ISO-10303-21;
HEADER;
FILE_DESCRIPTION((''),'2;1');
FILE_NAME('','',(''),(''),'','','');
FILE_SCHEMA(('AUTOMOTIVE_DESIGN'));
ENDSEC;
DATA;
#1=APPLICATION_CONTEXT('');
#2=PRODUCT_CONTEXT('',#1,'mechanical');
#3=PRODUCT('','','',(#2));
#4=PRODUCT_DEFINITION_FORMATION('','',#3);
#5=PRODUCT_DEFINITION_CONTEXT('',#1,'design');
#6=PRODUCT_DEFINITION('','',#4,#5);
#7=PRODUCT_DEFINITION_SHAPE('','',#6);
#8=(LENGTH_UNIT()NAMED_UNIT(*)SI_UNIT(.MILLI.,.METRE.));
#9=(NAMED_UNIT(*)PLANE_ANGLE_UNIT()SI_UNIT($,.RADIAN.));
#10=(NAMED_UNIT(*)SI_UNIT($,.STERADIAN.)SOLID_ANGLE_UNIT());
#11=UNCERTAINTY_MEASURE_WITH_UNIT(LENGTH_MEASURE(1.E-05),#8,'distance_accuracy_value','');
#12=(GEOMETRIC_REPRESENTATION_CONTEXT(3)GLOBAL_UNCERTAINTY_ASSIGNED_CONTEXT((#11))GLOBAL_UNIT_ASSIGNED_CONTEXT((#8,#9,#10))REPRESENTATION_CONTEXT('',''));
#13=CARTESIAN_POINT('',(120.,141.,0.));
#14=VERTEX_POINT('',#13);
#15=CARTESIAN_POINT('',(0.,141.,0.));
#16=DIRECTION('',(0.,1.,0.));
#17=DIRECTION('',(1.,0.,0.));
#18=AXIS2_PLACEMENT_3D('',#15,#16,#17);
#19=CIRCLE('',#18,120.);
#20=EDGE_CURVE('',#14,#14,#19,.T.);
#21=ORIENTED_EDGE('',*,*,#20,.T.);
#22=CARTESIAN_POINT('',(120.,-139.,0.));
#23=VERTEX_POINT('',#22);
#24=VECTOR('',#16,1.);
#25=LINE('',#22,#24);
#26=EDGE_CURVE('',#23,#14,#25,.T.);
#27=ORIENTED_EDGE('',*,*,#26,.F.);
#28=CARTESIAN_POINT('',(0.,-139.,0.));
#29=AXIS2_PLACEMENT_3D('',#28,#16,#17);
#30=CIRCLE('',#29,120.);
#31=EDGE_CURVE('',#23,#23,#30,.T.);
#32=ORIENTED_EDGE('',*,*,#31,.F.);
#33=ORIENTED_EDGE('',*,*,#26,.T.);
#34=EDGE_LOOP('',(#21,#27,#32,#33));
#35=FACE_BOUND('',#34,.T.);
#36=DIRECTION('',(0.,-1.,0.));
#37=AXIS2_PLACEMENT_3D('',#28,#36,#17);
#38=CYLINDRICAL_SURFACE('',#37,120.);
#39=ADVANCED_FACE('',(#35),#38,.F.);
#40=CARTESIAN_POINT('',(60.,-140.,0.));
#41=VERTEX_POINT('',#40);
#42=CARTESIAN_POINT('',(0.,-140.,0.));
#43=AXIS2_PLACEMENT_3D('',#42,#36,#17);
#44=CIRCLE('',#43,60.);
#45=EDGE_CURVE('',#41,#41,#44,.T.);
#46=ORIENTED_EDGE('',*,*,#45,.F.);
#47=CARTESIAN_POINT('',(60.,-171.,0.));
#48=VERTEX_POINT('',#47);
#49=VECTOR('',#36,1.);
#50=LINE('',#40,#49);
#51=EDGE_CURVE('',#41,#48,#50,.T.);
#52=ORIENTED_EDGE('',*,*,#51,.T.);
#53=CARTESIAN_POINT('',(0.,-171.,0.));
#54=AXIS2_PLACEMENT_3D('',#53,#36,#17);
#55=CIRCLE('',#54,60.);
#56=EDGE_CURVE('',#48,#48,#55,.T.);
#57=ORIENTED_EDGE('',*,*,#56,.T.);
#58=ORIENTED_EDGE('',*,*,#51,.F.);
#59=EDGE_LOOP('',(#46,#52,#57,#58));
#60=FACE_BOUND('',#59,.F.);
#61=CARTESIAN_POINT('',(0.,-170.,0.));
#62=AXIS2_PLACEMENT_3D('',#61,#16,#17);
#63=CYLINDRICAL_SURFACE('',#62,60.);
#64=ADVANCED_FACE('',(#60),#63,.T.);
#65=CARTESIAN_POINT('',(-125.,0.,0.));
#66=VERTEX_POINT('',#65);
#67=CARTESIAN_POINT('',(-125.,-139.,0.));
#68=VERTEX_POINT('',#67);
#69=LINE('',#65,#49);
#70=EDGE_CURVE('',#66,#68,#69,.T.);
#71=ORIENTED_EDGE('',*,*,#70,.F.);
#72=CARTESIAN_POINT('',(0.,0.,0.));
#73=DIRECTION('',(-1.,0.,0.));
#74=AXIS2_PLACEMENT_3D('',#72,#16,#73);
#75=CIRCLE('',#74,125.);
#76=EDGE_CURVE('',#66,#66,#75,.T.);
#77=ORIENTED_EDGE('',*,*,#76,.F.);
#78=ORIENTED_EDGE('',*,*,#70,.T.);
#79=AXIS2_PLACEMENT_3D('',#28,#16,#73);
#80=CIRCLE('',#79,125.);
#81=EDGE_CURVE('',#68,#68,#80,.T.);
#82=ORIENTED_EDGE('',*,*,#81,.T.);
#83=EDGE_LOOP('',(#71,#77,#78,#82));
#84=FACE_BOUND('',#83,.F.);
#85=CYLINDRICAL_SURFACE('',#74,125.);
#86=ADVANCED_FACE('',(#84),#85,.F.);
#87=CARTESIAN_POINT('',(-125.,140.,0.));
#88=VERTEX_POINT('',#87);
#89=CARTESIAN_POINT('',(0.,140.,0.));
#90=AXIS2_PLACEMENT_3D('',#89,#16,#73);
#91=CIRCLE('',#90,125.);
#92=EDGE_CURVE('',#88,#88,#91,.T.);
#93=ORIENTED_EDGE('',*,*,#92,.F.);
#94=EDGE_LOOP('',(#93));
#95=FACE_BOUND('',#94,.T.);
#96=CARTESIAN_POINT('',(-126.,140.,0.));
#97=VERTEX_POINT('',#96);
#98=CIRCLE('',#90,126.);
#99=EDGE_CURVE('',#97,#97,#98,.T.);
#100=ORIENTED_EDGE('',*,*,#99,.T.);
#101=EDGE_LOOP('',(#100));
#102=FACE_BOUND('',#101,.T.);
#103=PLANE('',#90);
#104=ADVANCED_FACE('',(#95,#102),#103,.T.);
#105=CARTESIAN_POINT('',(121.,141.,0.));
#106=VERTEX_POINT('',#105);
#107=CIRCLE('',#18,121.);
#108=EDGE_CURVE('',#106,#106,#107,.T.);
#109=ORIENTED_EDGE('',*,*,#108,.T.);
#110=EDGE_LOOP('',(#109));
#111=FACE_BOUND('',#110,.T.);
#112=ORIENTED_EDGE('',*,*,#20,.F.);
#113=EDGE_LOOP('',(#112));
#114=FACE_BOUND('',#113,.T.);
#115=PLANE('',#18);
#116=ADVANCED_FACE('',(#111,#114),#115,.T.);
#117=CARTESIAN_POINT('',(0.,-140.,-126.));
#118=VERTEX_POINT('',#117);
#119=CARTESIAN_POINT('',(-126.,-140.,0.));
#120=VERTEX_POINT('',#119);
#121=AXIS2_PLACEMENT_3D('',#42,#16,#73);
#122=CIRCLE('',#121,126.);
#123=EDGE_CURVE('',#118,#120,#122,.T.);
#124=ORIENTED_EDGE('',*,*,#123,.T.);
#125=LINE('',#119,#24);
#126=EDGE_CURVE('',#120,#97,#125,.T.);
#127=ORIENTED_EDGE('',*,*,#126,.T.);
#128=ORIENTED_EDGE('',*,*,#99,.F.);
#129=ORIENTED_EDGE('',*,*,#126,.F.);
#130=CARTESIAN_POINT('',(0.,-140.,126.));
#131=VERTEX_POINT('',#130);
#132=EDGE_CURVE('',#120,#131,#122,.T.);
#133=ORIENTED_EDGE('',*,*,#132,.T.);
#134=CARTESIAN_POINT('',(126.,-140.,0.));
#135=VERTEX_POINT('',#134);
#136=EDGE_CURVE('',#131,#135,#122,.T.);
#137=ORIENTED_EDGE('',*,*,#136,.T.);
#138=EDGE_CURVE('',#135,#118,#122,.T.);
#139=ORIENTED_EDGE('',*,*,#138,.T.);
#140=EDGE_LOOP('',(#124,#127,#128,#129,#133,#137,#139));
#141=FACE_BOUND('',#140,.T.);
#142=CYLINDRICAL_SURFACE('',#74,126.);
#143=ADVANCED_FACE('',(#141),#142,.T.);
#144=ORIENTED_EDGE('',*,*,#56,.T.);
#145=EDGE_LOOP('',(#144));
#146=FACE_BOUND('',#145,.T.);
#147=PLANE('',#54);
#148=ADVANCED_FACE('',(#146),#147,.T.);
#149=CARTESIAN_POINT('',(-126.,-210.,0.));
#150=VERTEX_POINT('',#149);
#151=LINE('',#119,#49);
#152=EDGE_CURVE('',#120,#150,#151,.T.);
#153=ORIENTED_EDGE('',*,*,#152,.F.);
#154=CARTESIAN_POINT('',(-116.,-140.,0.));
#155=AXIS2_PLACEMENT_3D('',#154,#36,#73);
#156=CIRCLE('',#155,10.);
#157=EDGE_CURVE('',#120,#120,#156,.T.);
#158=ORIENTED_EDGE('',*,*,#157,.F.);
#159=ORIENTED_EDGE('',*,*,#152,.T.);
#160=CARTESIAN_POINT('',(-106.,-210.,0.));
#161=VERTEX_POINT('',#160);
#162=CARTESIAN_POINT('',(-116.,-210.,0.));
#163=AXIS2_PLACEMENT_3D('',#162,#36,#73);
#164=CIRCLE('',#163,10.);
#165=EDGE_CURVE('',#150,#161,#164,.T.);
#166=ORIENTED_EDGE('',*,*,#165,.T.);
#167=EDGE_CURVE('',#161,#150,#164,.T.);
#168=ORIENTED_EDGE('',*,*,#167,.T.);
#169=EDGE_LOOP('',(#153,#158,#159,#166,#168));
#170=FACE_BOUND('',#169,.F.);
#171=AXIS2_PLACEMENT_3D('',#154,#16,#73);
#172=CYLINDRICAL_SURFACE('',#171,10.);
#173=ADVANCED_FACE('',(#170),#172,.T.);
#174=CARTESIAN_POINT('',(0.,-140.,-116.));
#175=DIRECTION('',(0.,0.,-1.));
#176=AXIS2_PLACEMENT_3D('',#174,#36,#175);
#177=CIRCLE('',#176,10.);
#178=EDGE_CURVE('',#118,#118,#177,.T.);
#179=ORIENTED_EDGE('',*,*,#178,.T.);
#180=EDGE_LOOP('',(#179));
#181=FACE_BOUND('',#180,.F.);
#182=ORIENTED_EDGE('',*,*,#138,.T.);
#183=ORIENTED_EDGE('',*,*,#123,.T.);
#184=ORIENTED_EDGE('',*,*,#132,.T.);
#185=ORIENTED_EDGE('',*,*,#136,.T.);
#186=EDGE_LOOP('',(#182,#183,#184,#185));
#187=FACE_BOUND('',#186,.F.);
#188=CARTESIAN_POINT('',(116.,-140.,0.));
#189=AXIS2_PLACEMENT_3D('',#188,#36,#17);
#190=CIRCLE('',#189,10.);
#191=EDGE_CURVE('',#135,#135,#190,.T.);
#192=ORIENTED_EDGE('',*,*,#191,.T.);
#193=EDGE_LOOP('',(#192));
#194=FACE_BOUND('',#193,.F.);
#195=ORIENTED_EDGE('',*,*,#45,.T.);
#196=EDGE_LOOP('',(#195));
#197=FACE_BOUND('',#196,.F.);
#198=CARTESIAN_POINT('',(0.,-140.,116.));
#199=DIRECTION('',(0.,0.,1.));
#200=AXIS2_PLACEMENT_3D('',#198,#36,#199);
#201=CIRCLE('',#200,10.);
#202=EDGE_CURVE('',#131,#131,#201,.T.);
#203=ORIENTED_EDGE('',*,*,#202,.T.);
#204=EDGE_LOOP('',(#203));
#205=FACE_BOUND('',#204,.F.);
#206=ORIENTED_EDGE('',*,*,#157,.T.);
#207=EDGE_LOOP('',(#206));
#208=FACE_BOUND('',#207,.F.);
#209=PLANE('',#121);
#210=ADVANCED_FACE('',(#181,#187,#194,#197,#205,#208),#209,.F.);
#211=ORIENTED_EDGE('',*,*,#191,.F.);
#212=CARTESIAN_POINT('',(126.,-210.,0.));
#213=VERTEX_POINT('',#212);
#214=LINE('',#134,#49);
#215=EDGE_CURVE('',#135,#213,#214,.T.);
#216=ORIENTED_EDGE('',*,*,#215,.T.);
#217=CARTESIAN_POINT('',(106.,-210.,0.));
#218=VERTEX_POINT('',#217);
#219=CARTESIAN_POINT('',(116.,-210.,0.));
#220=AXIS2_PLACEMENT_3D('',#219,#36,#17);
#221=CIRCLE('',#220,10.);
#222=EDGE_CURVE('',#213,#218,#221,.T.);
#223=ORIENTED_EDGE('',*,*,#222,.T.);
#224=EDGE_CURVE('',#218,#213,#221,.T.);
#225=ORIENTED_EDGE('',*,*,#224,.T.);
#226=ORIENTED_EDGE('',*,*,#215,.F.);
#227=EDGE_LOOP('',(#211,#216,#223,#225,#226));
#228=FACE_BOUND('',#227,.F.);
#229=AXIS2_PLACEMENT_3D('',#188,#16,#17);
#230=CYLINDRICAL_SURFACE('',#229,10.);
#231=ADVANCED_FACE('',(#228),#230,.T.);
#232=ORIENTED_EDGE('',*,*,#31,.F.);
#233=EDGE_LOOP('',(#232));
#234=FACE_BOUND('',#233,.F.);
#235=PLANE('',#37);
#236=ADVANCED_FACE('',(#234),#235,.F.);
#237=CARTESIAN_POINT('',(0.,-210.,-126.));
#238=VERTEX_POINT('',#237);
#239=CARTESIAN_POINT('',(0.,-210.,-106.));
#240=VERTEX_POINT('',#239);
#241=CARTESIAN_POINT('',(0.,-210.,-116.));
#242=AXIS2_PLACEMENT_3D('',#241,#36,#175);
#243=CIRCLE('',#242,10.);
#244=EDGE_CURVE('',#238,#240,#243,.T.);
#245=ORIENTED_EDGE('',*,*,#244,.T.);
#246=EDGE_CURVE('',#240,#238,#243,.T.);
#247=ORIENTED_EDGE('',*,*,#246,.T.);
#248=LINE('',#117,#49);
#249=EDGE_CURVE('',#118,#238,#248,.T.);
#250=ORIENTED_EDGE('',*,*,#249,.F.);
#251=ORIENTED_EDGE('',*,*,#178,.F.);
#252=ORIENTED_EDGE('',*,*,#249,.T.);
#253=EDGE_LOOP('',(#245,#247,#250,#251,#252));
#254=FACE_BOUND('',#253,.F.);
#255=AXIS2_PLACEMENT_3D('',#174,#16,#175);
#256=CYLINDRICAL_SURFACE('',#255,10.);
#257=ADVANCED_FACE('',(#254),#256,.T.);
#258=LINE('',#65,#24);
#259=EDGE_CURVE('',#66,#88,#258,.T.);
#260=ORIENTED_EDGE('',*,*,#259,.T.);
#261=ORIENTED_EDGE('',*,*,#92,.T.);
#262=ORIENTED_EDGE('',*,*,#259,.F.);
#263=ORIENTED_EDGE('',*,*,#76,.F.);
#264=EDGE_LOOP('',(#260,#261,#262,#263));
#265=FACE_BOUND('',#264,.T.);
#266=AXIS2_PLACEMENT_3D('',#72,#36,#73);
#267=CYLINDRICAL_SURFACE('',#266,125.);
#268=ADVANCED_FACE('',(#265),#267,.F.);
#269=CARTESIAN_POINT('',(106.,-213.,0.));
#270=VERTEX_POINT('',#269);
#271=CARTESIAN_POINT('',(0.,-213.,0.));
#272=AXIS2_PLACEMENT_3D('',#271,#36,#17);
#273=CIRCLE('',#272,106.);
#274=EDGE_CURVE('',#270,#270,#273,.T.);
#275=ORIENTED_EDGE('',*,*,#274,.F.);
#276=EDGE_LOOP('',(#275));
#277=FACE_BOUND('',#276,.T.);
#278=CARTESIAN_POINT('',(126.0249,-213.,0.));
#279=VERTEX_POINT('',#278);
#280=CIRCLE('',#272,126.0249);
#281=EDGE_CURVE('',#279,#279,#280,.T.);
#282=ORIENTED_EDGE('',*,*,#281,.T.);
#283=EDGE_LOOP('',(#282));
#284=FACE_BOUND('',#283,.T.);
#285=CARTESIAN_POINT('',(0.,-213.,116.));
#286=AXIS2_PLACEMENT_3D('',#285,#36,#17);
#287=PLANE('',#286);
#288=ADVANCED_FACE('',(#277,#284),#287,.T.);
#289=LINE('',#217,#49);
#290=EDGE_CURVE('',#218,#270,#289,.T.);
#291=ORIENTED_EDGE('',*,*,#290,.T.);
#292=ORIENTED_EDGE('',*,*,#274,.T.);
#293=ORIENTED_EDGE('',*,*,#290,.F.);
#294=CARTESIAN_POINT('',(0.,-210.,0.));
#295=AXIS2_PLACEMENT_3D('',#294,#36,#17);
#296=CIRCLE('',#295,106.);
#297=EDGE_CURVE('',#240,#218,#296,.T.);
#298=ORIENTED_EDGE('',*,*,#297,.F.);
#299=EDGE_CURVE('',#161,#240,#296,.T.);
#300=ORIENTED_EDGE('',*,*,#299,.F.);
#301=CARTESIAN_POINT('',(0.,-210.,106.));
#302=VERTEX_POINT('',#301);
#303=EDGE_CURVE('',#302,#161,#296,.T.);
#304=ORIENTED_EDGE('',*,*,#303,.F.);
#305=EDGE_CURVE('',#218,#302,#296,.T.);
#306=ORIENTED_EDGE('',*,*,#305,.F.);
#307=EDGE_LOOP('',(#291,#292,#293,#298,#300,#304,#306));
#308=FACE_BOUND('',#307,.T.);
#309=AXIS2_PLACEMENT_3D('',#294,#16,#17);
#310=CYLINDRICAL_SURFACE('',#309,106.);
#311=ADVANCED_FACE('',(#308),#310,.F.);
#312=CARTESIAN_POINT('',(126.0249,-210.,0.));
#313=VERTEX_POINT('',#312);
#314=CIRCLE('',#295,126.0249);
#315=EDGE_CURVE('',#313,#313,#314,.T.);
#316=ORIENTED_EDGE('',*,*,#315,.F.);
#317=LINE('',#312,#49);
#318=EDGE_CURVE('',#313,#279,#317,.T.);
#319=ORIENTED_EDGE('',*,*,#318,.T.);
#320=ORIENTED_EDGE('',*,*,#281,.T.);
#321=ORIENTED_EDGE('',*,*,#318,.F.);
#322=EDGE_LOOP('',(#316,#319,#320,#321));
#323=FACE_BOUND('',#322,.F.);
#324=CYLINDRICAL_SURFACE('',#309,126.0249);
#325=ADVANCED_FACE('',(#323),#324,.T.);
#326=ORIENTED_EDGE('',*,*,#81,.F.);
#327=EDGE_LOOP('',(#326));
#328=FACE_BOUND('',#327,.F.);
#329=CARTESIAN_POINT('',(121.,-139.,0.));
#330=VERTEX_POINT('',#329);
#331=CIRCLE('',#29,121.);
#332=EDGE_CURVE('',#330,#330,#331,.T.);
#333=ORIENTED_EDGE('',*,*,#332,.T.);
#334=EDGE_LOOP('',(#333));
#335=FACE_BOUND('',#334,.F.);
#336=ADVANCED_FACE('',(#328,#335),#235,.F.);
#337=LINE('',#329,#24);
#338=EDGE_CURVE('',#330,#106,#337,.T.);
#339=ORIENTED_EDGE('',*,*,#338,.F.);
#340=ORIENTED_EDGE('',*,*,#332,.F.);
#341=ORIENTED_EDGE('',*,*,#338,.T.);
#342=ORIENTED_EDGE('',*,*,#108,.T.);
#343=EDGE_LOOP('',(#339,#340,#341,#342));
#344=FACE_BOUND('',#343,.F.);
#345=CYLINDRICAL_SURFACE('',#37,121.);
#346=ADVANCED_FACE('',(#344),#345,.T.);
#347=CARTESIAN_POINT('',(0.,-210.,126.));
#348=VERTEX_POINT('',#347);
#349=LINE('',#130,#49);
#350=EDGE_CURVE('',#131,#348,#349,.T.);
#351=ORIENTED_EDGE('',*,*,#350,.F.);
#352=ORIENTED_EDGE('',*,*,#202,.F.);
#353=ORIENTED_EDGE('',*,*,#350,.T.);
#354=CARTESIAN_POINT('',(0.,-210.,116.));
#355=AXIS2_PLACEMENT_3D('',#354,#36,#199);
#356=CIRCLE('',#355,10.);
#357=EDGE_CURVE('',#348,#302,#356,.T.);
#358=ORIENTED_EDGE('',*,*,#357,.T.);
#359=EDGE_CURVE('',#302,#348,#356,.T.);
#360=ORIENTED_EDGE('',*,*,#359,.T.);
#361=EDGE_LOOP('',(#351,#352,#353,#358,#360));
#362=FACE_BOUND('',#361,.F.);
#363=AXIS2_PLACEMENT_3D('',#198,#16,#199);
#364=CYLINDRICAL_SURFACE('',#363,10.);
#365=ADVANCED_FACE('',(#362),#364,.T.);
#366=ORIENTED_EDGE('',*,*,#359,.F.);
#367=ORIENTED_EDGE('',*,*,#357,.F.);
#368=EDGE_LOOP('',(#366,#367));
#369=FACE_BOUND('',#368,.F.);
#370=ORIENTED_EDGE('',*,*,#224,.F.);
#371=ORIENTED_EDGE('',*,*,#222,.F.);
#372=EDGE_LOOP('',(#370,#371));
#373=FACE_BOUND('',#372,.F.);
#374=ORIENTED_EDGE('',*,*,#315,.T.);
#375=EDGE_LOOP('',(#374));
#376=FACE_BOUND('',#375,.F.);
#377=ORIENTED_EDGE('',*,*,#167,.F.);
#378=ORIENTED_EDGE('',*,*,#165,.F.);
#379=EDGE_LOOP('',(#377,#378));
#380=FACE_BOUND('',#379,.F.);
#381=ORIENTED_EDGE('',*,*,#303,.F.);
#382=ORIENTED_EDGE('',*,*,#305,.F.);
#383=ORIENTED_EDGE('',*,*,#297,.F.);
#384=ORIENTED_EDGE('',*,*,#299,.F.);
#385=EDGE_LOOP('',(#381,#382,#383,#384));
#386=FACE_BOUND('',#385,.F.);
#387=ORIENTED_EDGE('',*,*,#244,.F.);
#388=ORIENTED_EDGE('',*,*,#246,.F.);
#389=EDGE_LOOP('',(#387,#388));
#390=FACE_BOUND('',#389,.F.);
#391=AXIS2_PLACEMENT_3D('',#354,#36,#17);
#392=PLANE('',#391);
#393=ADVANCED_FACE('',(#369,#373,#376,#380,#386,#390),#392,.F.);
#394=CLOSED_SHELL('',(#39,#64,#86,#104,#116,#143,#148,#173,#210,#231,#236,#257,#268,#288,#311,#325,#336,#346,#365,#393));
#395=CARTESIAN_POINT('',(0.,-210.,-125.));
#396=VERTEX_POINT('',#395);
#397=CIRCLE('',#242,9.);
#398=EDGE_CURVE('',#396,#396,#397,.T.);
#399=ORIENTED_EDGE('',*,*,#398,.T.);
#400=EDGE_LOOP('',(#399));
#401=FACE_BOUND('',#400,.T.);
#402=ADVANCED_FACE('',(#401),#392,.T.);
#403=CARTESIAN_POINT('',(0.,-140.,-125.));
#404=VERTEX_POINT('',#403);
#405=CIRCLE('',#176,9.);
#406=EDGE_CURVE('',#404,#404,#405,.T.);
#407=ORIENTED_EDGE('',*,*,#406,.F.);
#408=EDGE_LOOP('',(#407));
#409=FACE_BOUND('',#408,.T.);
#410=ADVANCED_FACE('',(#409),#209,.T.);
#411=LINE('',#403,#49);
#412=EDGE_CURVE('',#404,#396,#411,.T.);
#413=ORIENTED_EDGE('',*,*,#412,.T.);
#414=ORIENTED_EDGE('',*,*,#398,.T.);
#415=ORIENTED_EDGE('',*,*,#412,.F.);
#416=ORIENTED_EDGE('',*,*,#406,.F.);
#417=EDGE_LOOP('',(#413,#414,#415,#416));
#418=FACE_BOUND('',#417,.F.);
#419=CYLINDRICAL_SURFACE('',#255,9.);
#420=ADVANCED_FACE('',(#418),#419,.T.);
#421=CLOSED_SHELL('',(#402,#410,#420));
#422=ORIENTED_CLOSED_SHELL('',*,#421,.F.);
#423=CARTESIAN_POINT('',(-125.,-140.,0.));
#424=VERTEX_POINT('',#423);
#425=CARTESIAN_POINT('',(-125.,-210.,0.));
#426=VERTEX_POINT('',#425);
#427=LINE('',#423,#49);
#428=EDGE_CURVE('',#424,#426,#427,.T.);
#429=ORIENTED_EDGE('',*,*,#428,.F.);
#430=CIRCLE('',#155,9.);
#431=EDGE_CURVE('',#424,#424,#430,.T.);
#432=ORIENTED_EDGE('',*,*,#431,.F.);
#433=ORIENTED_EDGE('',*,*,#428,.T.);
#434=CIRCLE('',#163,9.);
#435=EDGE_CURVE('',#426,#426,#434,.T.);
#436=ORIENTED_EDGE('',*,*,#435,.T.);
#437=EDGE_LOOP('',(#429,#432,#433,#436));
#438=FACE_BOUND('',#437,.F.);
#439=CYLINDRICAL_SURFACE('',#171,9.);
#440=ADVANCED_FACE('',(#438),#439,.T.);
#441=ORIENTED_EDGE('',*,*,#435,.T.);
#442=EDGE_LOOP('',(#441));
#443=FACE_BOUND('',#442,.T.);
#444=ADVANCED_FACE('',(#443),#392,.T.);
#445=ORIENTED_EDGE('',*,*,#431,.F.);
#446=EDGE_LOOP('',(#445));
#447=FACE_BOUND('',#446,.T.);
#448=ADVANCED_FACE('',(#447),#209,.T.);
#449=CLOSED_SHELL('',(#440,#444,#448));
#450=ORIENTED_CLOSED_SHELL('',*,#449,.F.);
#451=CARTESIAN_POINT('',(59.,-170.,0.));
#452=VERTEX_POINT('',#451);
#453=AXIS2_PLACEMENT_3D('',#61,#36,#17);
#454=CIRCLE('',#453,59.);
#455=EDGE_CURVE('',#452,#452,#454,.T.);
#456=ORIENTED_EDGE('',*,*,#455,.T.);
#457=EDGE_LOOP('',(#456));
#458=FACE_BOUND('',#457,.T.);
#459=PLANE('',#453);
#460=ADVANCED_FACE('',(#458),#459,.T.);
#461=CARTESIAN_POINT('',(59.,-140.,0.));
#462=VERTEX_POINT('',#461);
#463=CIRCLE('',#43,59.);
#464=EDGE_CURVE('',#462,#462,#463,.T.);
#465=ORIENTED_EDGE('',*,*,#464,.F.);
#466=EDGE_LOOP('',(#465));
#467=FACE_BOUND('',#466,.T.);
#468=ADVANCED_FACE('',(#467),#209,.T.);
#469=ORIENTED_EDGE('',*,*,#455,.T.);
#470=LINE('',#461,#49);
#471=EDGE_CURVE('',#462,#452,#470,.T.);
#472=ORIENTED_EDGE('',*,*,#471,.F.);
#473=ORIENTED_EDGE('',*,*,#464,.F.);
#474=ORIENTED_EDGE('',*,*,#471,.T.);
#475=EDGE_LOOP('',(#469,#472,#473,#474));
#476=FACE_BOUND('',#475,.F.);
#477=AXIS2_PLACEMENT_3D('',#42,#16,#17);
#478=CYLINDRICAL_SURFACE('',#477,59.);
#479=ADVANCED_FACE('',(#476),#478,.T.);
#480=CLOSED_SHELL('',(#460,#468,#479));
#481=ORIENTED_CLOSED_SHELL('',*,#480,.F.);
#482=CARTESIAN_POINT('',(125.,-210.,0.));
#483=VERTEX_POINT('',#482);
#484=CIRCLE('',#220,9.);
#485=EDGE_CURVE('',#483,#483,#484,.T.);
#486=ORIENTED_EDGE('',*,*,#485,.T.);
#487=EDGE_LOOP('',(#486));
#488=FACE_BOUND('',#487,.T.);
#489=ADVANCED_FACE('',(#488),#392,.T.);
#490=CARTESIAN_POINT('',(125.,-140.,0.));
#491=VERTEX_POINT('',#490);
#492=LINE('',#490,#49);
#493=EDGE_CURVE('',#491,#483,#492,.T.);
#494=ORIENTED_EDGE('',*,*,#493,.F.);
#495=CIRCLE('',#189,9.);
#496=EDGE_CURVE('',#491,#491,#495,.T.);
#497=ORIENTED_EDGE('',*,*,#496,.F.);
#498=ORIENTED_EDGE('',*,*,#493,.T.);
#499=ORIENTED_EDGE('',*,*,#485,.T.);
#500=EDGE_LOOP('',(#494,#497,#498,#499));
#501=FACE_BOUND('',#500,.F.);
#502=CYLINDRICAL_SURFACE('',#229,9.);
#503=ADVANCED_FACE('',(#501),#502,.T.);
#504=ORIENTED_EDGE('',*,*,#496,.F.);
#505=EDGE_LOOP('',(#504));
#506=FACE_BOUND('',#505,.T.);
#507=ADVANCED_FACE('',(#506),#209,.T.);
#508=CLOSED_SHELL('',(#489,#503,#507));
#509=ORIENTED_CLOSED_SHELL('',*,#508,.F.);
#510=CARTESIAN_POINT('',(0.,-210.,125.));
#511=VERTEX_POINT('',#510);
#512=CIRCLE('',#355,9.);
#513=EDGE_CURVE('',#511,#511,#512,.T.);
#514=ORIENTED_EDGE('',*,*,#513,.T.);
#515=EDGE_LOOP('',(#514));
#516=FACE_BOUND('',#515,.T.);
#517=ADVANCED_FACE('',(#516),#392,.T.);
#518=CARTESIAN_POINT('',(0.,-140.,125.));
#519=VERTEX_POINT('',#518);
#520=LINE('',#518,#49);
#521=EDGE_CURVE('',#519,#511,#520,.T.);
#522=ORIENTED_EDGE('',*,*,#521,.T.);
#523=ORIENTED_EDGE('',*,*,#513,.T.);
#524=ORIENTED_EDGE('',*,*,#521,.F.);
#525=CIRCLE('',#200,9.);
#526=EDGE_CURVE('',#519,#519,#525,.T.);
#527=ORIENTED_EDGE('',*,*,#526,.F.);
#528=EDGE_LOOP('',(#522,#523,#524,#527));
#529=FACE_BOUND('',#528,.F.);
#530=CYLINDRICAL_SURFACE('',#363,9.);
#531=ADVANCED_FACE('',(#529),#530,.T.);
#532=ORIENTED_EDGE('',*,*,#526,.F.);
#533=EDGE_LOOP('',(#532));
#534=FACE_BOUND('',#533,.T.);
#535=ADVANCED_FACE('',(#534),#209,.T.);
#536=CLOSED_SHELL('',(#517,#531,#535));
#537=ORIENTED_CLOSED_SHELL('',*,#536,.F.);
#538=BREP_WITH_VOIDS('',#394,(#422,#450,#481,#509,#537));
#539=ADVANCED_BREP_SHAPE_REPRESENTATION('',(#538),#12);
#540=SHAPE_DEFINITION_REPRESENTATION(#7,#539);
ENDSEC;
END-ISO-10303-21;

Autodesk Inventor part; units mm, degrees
ref_plane "YZ Plane" through (0, 0, 0) normal (1, 0, 0) x (0, 1, 0)
ref_plane "XZ Plane" through (0, 0, 0) normal (0, 1, 0) x (-1, 0, 0)
ref_plane "XY Plane" through (0, 0, 0) normal (0, 0, 1) x (1, 0, 0)
sketch "Sketch1" plane through (0, 0, 0) normal (0, 1, 0) x (-1, 0, 0)
  circle A0 centre (0, 0) radius 125
  circle A1 centre (0, 0) radius 126
  dimension "d0" = 250
  dimension "d1" = 252
extrude "Extrusion1" add sketch "Sketch1" along normal mid plane 280
sketch "Sketch3" plane through (0, -140, 0) normal (0, -1, 0) x (1, 0, 0)
  circle A0 centre (0, 0) radius 126
  dimension "d32" = 252
extrude "Extrusion3" add sketch "Sketch3" against normal blind 1
sketch "Sketch8" plane through (0, -140, 0) normal (0, -1, 0) x (1, 0, 0)
  circle A0 centre (0, 0) radius 60
  circle A1 centre (0, 0) radius 59
  dimension "d18" = 120
  dimension "d43" = 118
extrude "Extrusion8" add sketch "Sketch8" along normal blind 30
sketch "Sketch9" plane through (0, -140, 0) normal (0, -1, 0) x (1, 0, 0)
  point P0 (0, 0)
sketch "Sketch10" plane through (0, -140, 0) normal (0, -1, 0) x (1, 0, 0)
  circle A0 centre (116, 0) radius 10
  circle A1 centre (0, 0) radius 126 projected
  circle A2 centre (116, 0) radius 9
  dimension "d35" = 20
  dimension "d42" = 18
extrude "Extrusion9" add sketch "Sketch10" along normal blind 70 contours A0
pattern_circular "Circular Pattern1" count 4 over 360 about axis through (0, -10, 0) along (0, 1, 0) of "Extrusion9", "Extrusion3"
sketch "Sketch12" plane through (0, -139, 0) normal (0, 1, 0) x (1, 0, 0)
  circle A0 centre (0, 0) radius 120
  circle A1 centre (0, 0) radius 121
  dimension "d28" = 240
  dimension "d29" = 242
extrude "Extrusion12" add sketch "Sketch12" along normal blind 280
sketch "Sketch13" plane through (0, -210, 116) normal (0, -1, 0) x (1, 0, 0)
  circle A0 centre (0, -116) radius 106
  circle A1 centre (0, -116) radius 126.0249
  point P0 (0, 10)
  dimension "d38" = 212
  dimension "d39" = 252.0497
extrude "Extrusion14" add sketch "Sketch13" along normal blind 3
sketch "Sketch14" plane through (0, -170, 0) normal (0, -1, 0) x (1, 0, 0)
  circle A0 centre (0, 0) radius 60
extrude "Extrusion15" add sketch "Sketch14" along normal blind 1
properties part number "Mäskmaskin"
